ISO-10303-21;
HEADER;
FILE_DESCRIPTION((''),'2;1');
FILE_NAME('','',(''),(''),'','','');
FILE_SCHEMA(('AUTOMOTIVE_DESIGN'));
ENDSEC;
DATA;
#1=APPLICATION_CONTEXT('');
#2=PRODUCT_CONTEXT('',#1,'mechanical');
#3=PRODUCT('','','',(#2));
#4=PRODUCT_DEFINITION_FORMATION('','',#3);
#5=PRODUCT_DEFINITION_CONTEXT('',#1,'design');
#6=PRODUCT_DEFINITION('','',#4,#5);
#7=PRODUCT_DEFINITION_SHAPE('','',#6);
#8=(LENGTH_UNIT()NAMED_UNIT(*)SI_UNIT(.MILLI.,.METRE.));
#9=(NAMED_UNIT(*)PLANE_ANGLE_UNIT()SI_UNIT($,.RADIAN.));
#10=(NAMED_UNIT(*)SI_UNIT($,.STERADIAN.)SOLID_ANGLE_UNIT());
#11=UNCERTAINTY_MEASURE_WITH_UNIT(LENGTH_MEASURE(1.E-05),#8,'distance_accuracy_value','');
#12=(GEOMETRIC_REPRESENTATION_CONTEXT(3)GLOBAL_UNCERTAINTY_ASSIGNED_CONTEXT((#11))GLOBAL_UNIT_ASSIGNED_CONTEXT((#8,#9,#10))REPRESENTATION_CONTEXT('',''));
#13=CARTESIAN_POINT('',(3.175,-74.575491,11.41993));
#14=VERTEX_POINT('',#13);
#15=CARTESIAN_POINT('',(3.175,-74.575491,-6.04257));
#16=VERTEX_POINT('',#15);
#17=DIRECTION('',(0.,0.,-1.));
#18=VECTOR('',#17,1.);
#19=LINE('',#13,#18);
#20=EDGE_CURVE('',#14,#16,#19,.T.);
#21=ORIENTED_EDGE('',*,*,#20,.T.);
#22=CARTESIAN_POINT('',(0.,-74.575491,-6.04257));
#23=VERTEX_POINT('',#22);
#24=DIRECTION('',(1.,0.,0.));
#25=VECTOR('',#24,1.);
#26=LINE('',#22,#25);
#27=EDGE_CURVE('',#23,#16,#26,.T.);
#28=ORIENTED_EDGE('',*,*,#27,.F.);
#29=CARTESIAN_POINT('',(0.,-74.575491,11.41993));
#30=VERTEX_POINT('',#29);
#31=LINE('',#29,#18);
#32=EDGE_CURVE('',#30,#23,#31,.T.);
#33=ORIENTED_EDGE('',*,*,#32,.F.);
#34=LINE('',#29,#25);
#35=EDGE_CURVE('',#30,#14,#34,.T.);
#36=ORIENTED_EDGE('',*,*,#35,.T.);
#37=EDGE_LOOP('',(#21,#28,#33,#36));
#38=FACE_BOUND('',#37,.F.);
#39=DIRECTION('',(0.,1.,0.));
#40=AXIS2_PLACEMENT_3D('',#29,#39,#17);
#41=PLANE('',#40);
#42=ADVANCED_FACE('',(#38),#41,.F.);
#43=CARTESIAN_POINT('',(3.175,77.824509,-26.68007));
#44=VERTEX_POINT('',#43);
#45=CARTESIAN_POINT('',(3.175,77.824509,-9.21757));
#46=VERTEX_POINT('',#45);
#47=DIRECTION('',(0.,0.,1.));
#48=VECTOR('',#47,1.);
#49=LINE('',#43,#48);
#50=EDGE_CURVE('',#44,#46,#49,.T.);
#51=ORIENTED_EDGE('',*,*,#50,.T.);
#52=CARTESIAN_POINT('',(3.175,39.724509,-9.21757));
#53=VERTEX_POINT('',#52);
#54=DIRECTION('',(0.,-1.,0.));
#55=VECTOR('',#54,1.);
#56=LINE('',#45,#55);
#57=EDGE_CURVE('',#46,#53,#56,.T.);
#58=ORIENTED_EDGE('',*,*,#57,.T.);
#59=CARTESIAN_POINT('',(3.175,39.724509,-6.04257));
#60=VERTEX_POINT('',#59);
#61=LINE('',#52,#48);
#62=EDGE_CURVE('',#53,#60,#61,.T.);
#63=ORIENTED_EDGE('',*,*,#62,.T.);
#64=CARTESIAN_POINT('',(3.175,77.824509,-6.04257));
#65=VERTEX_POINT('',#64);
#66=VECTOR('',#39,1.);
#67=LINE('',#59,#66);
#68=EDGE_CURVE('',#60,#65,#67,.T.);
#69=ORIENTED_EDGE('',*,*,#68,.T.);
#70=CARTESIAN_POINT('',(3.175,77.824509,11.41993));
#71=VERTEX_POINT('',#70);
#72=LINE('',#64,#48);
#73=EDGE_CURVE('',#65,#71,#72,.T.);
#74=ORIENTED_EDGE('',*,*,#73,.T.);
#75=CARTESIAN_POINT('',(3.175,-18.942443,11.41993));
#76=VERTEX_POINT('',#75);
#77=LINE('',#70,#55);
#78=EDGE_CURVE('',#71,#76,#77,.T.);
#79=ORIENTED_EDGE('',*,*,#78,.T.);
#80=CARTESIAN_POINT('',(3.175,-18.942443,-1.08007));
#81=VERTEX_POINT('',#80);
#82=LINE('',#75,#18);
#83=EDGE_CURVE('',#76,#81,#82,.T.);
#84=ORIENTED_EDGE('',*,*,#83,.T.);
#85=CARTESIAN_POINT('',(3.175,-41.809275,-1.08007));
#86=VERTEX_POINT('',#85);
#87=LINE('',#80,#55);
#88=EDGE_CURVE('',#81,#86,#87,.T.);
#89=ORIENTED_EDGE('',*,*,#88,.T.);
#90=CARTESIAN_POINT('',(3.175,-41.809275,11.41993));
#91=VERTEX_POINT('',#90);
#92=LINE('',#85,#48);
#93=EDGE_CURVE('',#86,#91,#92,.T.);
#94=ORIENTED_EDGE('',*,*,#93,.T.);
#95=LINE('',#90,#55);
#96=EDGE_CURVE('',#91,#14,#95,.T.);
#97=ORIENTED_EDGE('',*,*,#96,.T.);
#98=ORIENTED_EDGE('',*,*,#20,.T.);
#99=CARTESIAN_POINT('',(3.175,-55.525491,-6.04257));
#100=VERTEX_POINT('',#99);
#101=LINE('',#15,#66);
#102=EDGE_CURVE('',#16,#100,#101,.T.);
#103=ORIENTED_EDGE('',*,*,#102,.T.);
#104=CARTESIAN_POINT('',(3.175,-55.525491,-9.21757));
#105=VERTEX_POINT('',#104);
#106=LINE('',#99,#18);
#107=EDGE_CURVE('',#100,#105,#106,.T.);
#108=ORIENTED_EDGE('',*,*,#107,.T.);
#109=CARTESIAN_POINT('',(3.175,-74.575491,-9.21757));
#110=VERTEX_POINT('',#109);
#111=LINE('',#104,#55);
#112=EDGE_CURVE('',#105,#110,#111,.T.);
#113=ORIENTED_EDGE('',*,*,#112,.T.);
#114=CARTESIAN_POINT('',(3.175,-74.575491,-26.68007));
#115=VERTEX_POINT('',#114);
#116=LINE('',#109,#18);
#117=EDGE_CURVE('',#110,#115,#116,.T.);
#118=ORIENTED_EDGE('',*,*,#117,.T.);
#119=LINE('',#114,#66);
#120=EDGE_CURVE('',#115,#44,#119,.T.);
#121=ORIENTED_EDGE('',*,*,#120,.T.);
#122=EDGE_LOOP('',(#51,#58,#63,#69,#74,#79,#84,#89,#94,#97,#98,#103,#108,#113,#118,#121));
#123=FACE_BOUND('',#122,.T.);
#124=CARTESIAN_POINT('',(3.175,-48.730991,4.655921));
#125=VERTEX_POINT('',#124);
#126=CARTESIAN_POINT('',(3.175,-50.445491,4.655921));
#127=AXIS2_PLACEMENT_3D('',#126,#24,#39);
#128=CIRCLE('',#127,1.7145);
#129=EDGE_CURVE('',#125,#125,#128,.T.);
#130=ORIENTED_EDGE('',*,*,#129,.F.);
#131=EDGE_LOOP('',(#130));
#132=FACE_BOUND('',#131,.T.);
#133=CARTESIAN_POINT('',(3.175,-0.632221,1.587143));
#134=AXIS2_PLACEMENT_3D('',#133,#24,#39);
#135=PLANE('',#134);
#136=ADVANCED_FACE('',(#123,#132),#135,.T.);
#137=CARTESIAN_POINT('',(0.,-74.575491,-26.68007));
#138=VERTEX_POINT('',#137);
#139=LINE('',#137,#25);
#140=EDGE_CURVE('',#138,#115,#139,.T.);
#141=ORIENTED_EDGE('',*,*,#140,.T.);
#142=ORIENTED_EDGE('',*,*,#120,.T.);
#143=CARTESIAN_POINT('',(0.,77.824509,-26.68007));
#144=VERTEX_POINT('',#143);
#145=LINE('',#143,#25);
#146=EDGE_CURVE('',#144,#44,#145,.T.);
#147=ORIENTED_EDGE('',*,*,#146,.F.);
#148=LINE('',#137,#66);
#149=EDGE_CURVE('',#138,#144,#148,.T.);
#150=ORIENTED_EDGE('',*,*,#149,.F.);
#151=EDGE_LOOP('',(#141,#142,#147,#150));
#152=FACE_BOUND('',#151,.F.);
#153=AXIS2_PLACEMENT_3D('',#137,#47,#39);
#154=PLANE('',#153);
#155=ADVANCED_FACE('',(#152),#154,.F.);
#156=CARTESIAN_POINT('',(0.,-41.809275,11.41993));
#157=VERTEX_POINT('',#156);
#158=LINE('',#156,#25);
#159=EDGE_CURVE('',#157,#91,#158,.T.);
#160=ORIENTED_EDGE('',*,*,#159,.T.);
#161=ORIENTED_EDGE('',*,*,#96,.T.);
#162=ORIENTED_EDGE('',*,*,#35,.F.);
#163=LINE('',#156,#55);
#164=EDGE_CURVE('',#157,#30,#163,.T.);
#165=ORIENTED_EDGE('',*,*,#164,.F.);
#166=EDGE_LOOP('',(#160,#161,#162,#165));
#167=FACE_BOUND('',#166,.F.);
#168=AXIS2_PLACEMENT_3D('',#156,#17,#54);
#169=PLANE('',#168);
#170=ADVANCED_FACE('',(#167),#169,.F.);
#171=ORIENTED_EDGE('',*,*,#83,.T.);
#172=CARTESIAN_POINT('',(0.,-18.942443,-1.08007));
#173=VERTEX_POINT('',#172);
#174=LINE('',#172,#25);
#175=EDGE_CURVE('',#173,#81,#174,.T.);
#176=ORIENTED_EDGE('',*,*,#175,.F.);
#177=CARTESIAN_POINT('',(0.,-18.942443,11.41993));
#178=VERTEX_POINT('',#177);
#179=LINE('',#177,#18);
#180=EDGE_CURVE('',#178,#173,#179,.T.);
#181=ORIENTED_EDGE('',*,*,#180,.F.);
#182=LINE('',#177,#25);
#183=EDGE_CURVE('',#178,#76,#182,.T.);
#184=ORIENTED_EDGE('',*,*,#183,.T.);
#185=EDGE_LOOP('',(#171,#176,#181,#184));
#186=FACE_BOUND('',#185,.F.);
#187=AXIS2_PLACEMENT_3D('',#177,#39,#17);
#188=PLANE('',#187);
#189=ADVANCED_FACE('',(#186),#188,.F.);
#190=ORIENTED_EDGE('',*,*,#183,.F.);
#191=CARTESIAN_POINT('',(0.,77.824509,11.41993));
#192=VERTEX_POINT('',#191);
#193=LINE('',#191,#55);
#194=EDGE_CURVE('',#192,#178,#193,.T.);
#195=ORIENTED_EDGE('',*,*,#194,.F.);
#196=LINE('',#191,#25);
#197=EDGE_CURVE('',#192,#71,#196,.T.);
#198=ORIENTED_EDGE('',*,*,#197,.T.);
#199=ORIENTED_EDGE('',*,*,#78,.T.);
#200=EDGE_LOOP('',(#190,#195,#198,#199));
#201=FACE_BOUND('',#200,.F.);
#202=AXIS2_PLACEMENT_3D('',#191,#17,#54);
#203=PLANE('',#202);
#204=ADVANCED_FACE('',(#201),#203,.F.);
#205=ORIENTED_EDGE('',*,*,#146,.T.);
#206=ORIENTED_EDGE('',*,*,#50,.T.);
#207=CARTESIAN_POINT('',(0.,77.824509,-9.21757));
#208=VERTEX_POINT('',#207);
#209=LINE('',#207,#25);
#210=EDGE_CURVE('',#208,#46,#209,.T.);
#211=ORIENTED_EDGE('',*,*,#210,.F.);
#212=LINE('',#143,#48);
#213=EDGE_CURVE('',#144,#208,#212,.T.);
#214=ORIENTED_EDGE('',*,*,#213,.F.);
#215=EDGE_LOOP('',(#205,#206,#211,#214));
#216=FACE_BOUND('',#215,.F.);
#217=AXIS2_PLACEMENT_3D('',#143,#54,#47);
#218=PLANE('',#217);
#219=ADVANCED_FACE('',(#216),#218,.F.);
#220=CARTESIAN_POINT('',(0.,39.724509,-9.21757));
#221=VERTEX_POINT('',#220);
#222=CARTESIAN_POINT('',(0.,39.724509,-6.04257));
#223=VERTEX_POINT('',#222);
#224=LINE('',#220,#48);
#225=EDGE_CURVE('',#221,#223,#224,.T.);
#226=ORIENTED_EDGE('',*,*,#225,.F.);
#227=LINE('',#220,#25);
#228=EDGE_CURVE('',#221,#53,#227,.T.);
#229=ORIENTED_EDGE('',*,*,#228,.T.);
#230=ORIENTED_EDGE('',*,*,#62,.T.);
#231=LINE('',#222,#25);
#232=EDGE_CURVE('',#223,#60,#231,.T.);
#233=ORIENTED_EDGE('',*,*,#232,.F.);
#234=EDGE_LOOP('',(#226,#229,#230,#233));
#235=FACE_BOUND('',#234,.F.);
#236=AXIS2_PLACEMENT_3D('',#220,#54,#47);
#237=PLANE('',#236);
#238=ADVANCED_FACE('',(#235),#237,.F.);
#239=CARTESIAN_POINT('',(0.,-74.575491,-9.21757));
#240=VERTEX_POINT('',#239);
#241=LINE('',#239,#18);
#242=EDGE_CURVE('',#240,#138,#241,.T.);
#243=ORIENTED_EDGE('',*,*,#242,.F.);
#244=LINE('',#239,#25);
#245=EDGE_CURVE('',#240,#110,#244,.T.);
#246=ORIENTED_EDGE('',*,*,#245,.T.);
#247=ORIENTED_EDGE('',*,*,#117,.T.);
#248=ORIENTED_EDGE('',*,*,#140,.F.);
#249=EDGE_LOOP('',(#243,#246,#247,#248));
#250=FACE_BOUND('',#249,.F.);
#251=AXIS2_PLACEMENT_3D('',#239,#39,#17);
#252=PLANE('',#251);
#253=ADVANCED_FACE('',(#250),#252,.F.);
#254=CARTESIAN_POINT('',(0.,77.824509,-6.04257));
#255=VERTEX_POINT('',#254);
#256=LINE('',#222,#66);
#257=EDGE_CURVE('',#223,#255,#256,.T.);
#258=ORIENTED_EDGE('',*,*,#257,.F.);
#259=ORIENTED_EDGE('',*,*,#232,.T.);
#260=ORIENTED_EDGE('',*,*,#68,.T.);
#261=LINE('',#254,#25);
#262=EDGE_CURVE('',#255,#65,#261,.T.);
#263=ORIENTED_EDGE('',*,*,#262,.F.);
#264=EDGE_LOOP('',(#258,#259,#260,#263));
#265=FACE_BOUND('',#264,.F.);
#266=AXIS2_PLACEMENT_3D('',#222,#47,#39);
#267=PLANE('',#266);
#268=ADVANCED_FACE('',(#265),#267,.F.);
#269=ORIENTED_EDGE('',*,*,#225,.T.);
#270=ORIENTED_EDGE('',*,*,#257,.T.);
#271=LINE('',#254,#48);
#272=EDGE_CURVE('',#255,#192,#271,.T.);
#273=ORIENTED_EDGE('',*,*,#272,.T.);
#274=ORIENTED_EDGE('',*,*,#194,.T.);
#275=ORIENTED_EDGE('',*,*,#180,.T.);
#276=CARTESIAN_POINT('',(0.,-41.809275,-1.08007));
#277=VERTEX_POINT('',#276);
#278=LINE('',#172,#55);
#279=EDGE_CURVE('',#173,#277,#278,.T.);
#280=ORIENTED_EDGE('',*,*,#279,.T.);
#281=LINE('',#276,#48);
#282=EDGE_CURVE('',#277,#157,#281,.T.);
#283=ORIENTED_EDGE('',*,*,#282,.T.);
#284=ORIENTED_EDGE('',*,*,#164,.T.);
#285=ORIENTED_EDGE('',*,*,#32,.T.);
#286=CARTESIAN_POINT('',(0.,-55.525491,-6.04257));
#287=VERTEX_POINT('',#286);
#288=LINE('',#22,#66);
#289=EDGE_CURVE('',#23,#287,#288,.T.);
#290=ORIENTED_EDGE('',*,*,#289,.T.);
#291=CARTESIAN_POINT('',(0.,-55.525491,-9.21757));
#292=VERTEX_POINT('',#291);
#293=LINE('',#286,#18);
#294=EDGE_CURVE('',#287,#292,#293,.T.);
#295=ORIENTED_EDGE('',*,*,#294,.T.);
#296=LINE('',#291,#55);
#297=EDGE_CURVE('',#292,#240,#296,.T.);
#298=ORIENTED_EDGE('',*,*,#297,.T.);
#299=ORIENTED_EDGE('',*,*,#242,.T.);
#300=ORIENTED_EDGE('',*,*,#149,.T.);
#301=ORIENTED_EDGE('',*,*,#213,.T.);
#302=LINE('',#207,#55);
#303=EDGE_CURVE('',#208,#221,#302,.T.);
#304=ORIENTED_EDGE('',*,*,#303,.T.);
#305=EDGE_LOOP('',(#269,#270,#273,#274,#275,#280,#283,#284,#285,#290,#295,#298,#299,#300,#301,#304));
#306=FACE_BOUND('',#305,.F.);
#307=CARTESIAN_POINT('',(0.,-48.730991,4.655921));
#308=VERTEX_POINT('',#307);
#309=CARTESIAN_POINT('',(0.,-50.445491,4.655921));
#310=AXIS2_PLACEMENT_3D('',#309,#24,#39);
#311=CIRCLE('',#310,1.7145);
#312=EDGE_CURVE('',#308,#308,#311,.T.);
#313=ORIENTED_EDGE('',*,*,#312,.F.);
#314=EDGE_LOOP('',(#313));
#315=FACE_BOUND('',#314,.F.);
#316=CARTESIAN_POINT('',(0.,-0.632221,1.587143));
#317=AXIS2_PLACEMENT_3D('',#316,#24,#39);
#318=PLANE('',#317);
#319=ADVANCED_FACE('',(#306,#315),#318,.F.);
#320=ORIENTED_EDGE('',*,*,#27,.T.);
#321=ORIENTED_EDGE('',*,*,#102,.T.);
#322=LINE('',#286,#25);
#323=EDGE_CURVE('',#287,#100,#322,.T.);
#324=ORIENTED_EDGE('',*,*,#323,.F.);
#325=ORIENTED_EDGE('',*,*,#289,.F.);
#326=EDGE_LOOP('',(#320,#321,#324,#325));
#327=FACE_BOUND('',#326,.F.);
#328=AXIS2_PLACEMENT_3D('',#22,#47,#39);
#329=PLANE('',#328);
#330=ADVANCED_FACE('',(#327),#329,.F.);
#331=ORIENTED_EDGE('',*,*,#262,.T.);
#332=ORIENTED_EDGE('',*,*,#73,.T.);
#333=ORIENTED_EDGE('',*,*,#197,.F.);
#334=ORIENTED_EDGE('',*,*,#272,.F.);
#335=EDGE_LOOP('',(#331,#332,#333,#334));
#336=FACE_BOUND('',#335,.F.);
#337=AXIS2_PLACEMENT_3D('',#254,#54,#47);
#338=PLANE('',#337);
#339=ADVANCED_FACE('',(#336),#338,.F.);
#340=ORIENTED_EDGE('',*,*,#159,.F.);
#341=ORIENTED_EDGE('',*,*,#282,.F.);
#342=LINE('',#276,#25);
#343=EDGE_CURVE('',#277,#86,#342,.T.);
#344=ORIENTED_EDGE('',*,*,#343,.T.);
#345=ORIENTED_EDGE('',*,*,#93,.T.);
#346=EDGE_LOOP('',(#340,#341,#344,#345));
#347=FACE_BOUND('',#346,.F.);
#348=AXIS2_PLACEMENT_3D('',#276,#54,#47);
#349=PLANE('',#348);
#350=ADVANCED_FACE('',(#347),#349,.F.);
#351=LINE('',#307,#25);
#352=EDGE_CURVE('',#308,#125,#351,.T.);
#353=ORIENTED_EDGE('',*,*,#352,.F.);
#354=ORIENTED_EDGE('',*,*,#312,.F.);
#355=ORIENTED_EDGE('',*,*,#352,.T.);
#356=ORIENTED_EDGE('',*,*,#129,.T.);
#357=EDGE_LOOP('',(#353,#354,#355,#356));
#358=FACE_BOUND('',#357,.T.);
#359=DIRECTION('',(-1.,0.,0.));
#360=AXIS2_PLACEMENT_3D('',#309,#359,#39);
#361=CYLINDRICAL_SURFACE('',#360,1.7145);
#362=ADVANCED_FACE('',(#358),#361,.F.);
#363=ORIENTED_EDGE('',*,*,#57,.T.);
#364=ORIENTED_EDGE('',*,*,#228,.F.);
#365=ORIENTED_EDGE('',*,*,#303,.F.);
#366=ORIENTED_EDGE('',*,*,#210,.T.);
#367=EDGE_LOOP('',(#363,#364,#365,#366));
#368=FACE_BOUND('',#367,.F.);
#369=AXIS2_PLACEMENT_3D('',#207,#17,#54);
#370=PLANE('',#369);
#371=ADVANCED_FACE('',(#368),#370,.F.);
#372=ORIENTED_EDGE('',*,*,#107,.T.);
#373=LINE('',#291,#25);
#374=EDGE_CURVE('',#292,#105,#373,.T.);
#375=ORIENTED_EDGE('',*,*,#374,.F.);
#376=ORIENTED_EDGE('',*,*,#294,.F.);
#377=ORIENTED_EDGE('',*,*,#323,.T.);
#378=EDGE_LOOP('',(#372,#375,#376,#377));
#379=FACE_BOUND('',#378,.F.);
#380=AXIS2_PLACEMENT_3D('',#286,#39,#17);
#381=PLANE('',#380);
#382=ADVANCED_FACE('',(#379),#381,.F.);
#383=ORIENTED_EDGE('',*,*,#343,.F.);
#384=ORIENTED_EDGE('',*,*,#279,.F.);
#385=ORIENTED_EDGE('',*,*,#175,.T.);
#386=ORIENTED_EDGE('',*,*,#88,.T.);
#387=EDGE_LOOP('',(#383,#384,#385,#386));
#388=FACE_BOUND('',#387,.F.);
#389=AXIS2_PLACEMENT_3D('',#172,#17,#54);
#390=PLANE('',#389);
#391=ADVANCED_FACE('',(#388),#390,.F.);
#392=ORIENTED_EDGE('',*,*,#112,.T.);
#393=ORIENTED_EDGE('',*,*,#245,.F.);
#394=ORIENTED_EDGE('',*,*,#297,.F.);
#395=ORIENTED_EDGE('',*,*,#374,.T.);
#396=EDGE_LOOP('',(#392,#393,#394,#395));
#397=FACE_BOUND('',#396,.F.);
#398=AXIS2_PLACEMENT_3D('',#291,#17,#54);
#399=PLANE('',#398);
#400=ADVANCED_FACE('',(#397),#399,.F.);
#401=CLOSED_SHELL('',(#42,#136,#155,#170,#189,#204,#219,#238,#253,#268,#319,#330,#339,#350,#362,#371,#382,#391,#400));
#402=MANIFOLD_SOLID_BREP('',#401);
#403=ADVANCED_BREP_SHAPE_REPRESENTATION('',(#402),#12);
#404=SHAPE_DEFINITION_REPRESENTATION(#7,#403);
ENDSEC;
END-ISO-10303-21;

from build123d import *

# Parameters (mm, degrees)
F0_R     = 1.7145
F1_DEPTH = 3.175


with BuildPart() as f1:
    # F0 (on Right) → F1 (new body)
    with BuildSketch(Plane.YZ):
        Polygon((-41.809275, 11.41993), (-74.575491, 11.41993), (-74.575491, -6.04257), (-55.525491, -6.04257), (-55.525491, -7.63007), (39.724509, -7.63007), (39.724509, -6.04257), (58.774509, -6.04257), (77.824509, -6.04257), (77.824509, 11.41993), (-18.942443, 11.41993), (-18.942443, -1.08007), (-41.809275, -1.08007), align=None)
        with Locations((-50.445491, 4.655921)):
            Circle(F0_R, mode=Mode.SUBTRACT)
        Polygon((-55.525491, -9.21757), (-74.575491, -9.21757), (-74.575491, -26.68007), (1.624509, -26.68007), (77.824509, -26.68007), (77.824509, -9.21757), (58.774509, -9.21757), (39.724509, -9.21757), (39.724509, -7.660097), (39.724509, -7.63007), (-55.525491, -7.63007), align=None)
    extrude(amount=F1_DEPTH)


solid = f1.part
